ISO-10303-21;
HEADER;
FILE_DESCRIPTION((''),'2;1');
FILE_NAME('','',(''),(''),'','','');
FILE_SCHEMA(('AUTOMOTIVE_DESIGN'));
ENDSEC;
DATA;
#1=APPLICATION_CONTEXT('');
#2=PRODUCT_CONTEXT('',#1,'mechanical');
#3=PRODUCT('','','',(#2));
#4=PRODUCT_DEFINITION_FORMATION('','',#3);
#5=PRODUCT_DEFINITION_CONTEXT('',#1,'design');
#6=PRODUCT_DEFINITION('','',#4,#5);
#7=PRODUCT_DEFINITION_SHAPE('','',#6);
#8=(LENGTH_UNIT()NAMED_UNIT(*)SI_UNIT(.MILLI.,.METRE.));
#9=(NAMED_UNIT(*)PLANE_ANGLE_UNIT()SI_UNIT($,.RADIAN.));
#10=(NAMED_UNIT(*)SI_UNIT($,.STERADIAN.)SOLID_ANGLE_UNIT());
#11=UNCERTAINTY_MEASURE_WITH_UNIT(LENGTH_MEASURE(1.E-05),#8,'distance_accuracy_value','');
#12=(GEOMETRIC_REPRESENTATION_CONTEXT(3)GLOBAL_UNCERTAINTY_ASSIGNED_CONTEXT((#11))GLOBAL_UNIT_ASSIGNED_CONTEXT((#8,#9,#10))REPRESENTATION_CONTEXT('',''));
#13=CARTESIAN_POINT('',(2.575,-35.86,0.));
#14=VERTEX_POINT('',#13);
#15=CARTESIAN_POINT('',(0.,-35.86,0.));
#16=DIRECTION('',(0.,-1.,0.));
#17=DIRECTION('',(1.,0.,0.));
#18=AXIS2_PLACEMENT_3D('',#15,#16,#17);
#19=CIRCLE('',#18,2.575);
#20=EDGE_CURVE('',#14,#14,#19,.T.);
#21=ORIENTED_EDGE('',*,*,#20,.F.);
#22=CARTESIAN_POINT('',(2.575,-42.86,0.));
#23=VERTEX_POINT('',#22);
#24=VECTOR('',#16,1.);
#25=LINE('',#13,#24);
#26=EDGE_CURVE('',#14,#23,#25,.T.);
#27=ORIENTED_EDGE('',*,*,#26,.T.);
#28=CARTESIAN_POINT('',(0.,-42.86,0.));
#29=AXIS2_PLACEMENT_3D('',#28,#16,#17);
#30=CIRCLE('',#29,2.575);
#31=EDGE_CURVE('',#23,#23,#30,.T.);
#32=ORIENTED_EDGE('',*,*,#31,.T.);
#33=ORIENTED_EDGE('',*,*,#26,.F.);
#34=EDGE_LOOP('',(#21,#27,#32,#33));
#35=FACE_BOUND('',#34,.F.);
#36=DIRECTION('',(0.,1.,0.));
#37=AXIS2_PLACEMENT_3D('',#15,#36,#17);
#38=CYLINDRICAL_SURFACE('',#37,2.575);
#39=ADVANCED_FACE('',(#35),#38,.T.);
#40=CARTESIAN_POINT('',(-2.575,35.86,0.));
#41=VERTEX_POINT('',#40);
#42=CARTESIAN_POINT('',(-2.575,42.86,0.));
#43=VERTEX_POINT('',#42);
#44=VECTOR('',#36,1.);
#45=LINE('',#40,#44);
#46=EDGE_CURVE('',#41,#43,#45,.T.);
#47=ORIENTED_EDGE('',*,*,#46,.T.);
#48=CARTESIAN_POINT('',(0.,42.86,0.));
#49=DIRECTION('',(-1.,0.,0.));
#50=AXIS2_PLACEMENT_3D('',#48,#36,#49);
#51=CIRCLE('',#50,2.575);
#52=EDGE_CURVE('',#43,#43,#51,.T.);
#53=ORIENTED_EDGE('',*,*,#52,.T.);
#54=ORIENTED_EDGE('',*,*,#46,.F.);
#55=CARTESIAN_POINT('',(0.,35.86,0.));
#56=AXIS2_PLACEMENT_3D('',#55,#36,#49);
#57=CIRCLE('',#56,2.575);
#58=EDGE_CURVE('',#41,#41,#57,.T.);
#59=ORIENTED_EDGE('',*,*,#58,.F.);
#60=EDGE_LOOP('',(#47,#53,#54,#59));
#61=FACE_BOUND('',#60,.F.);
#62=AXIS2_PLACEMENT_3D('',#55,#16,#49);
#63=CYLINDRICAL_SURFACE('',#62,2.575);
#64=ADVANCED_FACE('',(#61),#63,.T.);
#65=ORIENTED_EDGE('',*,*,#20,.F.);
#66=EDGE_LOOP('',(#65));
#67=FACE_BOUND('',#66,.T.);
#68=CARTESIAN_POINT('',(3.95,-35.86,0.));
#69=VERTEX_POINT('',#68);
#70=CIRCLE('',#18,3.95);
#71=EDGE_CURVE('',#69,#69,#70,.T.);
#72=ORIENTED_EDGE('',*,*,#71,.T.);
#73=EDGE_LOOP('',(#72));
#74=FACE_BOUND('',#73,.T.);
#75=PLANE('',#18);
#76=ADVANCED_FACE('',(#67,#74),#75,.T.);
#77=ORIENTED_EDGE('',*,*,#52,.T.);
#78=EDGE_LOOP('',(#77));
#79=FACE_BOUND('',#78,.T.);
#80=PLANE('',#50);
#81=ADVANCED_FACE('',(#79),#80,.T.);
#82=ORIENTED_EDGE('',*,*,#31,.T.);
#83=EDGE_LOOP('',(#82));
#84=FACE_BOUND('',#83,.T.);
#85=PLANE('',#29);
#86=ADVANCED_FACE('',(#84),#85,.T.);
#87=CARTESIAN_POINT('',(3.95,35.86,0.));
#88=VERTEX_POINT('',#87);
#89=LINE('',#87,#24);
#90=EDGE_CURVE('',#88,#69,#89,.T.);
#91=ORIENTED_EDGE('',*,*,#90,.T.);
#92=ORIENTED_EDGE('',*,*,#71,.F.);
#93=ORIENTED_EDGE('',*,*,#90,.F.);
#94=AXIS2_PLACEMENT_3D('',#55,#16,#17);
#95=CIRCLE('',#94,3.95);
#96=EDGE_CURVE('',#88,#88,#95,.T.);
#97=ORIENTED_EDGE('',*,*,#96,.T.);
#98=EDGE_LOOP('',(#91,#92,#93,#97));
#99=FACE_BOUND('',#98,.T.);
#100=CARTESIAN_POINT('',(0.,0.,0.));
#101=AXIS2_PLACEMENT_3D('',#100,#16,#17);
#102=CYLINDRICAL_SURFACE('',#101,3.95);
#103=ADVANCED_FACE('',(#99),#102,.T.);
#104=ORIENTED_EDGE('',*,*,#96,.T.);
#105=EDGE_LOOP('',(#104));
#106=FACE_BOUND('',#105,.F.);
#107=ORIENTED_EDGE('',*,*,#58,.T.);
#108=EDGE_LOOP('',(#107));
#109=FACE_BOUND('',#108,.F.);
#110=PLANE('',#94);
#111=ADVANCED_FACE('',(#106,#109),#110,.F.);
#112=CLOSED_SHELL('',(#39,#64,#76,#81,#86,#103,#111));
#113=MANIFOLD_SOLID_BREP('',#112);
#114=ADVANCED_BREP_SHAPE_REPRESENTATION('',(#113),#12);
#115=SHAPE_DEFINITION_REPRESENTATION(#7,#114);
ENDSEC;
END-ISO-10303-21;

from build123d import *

# Parameters (mm, degrees)
F0_R          = 3.95
F1_DEPTH      = 35.86
F1_DEPTH_BACK = 35.86
F2_R          = 2.575
F3_DEPTH      = 7
F4_R          = 2.575
F5_DEPTH      = 7


with BuildPart() as f1:
    # F0 (on Front) → F1 (new body, two sides)
    with BuildSketch(Plane.XZ) as f1_sk:
        Circle(F0_R)
    extrude(amount=F1_DEPTH)
    extrude(f1_sk.sketch, amount=-F1_DEPTH_BACK)

    # F2 (on face) → F3 (join)
    with BuildSketch(Plane(origin=(0, 35.86, 0), x_dir=(-1, 0, 0), z_dir=(0, 1, 0))):
        Circle(F2_R)
    extrude(amount=F3_DEPTH)

    # F4 (on face) → F5 (join)
    with BuildSketch(Plane.XZ.offset(35.86)):
        Circle(F4_R)
    extrude(amount=F5_DEPTH)


solid = f1.part
